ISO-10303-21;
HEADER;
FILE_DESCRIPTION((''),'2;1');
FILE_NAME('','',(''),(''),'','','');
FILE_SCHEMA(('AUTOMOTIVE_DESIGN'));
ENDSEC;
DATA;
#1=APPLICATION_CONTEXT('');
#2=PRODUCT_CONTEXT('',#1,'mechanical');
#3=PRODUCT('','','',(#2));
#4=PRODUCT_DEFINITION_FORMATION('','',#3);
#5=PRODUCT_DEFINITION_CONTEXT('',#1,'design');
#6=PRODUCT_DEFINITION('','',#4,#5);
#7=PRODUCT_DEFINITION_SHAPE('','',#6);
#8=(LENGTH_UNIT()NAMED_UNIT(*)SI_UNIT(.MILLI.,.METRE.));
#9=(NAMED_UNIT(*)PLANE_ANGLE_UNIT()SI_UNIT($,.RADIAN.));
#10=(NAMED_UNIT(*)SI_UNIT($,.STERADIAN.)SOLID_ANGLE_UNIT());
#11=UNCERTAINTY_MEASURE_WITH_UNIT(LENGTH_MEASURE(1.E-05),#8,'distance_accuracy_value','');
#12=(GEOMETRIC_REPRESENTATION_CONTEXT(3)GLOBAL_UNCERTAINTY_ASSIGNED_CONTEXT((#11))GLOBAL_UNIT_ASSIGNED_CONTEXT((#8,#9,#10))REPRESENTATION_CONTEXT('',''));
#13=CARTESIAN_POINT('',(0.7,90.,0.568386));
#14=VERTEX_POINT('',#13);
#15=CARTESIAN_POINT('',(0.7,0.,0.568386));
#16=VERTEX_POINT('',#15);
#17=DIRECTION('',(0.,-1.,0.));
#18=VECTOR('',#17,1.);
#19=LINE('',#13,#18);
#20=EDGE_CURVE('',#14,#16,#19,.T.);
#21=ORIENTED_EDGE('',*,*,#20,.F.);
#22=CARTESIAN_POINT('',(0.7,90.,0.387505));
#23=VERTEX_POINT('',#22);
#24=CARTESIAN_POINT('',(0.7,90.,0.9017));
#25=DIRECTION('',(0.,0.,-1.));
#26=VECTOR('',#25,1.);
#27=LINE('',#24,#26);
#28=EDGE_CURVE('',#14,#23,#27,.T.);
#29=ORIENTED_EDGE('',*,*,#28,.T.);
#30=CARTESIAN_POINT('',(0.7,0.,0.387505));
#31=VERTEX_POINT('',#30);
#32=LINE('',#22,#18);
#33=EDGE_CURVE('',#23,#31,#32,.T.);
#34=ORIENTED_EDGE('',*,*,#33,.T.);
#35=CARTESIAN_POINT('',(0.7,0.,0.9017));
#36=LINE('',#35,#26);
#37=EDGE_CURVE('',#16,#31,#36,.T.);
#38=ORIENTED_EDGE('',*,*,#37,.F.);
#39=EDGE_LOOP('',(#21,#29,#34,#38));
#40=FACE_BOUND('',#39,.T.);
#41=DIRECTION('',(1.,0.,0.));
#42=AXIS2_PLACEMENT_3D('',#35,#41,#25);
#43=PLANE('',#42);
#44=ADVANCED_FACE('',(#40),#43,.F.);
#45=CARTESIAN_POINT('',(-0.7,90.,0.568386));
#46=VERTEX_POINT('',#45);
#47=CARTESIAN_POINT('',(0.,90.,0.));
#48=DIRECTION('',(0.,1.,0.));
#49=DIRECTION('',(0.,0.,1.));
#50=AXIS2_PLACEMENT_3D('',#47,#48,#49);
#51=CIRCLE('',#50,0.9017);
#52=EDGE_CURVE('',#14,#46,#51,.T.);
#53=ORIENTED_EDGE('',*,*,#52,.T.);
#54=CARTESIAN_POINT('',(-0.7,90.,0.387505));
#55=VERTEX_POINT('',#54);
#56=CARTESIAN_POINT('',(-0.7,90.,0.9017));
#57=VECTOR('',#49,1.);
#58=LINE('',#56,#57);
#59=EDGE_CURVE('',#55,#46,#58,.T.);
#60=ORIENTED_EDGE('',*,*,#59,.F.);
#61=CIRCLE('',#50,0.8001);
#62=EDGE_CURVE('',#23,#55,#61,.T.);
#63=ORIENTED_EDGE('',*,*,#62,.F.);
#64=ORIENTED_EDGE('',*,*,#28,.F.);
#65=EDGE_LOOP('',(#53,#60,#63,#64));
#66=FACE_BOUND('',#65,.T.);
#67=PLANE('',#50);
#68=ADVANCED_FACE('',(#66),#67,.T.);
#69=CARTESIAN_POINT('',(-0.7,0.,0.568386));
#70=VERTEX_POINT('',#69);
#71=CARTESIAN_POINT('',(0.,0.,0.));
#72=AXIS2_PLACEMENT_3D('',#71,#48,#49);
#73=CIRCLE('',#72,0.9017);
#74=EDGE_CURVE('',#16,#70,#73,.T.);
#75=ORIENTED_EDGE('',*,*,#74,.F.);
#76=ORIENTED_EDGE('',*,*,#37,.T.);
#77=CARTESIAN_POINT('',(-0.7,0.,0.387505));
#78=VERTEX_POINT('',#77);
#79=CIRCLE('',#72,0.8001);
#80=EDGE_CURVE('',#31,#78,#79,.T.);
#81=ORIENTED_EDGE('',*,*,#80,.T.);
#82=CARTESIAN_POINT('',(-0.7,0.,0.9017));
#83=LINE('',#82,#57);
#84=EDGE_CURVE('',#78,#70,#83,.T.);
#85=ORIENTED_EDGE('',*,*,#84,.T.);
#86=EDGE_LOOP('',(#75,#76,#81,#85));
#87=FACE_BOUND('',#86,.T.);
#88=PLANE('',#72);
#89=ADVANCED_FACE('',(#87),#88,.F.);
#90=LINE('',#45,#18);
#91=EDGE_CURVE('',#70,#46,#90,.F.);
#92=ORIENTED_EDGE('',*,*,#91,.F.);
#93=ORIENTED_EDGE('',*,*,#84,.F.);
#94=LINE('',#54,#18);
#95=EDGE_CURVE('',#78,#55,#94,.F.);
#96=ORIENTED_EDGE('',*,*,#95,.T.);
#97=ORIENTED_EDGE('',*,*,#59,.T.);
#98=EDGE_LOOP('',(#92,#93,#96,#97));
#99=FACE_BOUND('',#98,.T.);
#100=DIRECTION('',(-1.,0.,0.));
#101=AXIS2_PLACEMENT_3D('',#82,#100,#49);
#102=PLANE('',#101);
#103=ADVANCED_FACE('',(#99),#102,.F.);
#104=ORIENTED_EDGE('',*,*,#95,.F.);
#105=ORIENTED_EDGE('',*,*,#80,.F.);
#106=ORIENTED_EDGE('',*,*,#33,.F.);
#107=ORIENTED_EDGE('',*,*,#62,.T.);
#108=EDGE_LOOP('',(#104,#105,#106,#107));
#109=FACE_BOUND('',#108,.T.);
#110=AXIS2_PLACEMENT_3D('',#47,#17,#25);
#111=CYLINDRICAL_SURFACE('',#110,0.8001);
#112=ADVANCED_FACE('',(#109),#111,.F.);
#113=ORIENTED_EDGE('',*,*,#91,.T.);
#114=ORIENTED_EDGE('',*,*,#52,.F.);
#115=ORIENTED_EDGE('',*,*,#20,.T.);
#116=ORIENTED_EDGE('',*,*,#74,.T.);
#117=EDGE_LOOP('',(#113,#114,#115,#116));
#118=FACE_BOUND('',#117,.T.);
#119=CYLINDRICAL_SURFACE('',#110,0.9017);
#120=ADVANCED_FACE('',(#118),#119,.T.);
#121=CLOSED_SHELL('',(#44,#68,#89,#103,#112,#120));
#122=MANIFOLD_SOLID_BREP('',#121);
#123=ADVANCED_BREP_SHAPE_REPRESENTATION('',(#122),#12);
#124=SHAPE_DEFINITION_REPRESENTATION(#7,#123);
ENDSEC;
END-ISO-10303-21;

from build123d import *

# Parameters (mm, degrees)
SKETCH1_R           = 0.9017
SKETCH1_R_2         = 0.8001
BOSS_EXTRUDE1_DEPTH = 90
SKETCH2_W           = 1.4
SKETCH2_H           = 0.622776606
CUT_EXTRUDE1_DEPTH  = 90


with BuildPart() as part:
    # Sketch1 → Boss-Extrude1 (new body)
    with BuildSketch(Plane(origin=(0, 0, 0), x_dir=(1, 0, 0), z_dir=(0, 1, 0))):
        Circle(SKETCH1_R)
        Circle(SKETCH1_R_2, mode=Mode.SUBTRACT)
    extrude(amount=BOSS_EXTRUDE1_DEPTH)

    # Sketch2 → Cut-Extrude1 (cut)
    with BuildSketch(Plane(origin=(0, 90, 0), x_dir=(1, 0, 0), z_dir=(0, 1, 0))):
        with Locations((0, -0.590311697)):
            Rectangle(SKETCH2_W, SKETCH2_H)
    extrude(amount=-CUT_EXTRUDE1_DEPTH, mode=Mode.SUBTRACT)


solid = part.part
